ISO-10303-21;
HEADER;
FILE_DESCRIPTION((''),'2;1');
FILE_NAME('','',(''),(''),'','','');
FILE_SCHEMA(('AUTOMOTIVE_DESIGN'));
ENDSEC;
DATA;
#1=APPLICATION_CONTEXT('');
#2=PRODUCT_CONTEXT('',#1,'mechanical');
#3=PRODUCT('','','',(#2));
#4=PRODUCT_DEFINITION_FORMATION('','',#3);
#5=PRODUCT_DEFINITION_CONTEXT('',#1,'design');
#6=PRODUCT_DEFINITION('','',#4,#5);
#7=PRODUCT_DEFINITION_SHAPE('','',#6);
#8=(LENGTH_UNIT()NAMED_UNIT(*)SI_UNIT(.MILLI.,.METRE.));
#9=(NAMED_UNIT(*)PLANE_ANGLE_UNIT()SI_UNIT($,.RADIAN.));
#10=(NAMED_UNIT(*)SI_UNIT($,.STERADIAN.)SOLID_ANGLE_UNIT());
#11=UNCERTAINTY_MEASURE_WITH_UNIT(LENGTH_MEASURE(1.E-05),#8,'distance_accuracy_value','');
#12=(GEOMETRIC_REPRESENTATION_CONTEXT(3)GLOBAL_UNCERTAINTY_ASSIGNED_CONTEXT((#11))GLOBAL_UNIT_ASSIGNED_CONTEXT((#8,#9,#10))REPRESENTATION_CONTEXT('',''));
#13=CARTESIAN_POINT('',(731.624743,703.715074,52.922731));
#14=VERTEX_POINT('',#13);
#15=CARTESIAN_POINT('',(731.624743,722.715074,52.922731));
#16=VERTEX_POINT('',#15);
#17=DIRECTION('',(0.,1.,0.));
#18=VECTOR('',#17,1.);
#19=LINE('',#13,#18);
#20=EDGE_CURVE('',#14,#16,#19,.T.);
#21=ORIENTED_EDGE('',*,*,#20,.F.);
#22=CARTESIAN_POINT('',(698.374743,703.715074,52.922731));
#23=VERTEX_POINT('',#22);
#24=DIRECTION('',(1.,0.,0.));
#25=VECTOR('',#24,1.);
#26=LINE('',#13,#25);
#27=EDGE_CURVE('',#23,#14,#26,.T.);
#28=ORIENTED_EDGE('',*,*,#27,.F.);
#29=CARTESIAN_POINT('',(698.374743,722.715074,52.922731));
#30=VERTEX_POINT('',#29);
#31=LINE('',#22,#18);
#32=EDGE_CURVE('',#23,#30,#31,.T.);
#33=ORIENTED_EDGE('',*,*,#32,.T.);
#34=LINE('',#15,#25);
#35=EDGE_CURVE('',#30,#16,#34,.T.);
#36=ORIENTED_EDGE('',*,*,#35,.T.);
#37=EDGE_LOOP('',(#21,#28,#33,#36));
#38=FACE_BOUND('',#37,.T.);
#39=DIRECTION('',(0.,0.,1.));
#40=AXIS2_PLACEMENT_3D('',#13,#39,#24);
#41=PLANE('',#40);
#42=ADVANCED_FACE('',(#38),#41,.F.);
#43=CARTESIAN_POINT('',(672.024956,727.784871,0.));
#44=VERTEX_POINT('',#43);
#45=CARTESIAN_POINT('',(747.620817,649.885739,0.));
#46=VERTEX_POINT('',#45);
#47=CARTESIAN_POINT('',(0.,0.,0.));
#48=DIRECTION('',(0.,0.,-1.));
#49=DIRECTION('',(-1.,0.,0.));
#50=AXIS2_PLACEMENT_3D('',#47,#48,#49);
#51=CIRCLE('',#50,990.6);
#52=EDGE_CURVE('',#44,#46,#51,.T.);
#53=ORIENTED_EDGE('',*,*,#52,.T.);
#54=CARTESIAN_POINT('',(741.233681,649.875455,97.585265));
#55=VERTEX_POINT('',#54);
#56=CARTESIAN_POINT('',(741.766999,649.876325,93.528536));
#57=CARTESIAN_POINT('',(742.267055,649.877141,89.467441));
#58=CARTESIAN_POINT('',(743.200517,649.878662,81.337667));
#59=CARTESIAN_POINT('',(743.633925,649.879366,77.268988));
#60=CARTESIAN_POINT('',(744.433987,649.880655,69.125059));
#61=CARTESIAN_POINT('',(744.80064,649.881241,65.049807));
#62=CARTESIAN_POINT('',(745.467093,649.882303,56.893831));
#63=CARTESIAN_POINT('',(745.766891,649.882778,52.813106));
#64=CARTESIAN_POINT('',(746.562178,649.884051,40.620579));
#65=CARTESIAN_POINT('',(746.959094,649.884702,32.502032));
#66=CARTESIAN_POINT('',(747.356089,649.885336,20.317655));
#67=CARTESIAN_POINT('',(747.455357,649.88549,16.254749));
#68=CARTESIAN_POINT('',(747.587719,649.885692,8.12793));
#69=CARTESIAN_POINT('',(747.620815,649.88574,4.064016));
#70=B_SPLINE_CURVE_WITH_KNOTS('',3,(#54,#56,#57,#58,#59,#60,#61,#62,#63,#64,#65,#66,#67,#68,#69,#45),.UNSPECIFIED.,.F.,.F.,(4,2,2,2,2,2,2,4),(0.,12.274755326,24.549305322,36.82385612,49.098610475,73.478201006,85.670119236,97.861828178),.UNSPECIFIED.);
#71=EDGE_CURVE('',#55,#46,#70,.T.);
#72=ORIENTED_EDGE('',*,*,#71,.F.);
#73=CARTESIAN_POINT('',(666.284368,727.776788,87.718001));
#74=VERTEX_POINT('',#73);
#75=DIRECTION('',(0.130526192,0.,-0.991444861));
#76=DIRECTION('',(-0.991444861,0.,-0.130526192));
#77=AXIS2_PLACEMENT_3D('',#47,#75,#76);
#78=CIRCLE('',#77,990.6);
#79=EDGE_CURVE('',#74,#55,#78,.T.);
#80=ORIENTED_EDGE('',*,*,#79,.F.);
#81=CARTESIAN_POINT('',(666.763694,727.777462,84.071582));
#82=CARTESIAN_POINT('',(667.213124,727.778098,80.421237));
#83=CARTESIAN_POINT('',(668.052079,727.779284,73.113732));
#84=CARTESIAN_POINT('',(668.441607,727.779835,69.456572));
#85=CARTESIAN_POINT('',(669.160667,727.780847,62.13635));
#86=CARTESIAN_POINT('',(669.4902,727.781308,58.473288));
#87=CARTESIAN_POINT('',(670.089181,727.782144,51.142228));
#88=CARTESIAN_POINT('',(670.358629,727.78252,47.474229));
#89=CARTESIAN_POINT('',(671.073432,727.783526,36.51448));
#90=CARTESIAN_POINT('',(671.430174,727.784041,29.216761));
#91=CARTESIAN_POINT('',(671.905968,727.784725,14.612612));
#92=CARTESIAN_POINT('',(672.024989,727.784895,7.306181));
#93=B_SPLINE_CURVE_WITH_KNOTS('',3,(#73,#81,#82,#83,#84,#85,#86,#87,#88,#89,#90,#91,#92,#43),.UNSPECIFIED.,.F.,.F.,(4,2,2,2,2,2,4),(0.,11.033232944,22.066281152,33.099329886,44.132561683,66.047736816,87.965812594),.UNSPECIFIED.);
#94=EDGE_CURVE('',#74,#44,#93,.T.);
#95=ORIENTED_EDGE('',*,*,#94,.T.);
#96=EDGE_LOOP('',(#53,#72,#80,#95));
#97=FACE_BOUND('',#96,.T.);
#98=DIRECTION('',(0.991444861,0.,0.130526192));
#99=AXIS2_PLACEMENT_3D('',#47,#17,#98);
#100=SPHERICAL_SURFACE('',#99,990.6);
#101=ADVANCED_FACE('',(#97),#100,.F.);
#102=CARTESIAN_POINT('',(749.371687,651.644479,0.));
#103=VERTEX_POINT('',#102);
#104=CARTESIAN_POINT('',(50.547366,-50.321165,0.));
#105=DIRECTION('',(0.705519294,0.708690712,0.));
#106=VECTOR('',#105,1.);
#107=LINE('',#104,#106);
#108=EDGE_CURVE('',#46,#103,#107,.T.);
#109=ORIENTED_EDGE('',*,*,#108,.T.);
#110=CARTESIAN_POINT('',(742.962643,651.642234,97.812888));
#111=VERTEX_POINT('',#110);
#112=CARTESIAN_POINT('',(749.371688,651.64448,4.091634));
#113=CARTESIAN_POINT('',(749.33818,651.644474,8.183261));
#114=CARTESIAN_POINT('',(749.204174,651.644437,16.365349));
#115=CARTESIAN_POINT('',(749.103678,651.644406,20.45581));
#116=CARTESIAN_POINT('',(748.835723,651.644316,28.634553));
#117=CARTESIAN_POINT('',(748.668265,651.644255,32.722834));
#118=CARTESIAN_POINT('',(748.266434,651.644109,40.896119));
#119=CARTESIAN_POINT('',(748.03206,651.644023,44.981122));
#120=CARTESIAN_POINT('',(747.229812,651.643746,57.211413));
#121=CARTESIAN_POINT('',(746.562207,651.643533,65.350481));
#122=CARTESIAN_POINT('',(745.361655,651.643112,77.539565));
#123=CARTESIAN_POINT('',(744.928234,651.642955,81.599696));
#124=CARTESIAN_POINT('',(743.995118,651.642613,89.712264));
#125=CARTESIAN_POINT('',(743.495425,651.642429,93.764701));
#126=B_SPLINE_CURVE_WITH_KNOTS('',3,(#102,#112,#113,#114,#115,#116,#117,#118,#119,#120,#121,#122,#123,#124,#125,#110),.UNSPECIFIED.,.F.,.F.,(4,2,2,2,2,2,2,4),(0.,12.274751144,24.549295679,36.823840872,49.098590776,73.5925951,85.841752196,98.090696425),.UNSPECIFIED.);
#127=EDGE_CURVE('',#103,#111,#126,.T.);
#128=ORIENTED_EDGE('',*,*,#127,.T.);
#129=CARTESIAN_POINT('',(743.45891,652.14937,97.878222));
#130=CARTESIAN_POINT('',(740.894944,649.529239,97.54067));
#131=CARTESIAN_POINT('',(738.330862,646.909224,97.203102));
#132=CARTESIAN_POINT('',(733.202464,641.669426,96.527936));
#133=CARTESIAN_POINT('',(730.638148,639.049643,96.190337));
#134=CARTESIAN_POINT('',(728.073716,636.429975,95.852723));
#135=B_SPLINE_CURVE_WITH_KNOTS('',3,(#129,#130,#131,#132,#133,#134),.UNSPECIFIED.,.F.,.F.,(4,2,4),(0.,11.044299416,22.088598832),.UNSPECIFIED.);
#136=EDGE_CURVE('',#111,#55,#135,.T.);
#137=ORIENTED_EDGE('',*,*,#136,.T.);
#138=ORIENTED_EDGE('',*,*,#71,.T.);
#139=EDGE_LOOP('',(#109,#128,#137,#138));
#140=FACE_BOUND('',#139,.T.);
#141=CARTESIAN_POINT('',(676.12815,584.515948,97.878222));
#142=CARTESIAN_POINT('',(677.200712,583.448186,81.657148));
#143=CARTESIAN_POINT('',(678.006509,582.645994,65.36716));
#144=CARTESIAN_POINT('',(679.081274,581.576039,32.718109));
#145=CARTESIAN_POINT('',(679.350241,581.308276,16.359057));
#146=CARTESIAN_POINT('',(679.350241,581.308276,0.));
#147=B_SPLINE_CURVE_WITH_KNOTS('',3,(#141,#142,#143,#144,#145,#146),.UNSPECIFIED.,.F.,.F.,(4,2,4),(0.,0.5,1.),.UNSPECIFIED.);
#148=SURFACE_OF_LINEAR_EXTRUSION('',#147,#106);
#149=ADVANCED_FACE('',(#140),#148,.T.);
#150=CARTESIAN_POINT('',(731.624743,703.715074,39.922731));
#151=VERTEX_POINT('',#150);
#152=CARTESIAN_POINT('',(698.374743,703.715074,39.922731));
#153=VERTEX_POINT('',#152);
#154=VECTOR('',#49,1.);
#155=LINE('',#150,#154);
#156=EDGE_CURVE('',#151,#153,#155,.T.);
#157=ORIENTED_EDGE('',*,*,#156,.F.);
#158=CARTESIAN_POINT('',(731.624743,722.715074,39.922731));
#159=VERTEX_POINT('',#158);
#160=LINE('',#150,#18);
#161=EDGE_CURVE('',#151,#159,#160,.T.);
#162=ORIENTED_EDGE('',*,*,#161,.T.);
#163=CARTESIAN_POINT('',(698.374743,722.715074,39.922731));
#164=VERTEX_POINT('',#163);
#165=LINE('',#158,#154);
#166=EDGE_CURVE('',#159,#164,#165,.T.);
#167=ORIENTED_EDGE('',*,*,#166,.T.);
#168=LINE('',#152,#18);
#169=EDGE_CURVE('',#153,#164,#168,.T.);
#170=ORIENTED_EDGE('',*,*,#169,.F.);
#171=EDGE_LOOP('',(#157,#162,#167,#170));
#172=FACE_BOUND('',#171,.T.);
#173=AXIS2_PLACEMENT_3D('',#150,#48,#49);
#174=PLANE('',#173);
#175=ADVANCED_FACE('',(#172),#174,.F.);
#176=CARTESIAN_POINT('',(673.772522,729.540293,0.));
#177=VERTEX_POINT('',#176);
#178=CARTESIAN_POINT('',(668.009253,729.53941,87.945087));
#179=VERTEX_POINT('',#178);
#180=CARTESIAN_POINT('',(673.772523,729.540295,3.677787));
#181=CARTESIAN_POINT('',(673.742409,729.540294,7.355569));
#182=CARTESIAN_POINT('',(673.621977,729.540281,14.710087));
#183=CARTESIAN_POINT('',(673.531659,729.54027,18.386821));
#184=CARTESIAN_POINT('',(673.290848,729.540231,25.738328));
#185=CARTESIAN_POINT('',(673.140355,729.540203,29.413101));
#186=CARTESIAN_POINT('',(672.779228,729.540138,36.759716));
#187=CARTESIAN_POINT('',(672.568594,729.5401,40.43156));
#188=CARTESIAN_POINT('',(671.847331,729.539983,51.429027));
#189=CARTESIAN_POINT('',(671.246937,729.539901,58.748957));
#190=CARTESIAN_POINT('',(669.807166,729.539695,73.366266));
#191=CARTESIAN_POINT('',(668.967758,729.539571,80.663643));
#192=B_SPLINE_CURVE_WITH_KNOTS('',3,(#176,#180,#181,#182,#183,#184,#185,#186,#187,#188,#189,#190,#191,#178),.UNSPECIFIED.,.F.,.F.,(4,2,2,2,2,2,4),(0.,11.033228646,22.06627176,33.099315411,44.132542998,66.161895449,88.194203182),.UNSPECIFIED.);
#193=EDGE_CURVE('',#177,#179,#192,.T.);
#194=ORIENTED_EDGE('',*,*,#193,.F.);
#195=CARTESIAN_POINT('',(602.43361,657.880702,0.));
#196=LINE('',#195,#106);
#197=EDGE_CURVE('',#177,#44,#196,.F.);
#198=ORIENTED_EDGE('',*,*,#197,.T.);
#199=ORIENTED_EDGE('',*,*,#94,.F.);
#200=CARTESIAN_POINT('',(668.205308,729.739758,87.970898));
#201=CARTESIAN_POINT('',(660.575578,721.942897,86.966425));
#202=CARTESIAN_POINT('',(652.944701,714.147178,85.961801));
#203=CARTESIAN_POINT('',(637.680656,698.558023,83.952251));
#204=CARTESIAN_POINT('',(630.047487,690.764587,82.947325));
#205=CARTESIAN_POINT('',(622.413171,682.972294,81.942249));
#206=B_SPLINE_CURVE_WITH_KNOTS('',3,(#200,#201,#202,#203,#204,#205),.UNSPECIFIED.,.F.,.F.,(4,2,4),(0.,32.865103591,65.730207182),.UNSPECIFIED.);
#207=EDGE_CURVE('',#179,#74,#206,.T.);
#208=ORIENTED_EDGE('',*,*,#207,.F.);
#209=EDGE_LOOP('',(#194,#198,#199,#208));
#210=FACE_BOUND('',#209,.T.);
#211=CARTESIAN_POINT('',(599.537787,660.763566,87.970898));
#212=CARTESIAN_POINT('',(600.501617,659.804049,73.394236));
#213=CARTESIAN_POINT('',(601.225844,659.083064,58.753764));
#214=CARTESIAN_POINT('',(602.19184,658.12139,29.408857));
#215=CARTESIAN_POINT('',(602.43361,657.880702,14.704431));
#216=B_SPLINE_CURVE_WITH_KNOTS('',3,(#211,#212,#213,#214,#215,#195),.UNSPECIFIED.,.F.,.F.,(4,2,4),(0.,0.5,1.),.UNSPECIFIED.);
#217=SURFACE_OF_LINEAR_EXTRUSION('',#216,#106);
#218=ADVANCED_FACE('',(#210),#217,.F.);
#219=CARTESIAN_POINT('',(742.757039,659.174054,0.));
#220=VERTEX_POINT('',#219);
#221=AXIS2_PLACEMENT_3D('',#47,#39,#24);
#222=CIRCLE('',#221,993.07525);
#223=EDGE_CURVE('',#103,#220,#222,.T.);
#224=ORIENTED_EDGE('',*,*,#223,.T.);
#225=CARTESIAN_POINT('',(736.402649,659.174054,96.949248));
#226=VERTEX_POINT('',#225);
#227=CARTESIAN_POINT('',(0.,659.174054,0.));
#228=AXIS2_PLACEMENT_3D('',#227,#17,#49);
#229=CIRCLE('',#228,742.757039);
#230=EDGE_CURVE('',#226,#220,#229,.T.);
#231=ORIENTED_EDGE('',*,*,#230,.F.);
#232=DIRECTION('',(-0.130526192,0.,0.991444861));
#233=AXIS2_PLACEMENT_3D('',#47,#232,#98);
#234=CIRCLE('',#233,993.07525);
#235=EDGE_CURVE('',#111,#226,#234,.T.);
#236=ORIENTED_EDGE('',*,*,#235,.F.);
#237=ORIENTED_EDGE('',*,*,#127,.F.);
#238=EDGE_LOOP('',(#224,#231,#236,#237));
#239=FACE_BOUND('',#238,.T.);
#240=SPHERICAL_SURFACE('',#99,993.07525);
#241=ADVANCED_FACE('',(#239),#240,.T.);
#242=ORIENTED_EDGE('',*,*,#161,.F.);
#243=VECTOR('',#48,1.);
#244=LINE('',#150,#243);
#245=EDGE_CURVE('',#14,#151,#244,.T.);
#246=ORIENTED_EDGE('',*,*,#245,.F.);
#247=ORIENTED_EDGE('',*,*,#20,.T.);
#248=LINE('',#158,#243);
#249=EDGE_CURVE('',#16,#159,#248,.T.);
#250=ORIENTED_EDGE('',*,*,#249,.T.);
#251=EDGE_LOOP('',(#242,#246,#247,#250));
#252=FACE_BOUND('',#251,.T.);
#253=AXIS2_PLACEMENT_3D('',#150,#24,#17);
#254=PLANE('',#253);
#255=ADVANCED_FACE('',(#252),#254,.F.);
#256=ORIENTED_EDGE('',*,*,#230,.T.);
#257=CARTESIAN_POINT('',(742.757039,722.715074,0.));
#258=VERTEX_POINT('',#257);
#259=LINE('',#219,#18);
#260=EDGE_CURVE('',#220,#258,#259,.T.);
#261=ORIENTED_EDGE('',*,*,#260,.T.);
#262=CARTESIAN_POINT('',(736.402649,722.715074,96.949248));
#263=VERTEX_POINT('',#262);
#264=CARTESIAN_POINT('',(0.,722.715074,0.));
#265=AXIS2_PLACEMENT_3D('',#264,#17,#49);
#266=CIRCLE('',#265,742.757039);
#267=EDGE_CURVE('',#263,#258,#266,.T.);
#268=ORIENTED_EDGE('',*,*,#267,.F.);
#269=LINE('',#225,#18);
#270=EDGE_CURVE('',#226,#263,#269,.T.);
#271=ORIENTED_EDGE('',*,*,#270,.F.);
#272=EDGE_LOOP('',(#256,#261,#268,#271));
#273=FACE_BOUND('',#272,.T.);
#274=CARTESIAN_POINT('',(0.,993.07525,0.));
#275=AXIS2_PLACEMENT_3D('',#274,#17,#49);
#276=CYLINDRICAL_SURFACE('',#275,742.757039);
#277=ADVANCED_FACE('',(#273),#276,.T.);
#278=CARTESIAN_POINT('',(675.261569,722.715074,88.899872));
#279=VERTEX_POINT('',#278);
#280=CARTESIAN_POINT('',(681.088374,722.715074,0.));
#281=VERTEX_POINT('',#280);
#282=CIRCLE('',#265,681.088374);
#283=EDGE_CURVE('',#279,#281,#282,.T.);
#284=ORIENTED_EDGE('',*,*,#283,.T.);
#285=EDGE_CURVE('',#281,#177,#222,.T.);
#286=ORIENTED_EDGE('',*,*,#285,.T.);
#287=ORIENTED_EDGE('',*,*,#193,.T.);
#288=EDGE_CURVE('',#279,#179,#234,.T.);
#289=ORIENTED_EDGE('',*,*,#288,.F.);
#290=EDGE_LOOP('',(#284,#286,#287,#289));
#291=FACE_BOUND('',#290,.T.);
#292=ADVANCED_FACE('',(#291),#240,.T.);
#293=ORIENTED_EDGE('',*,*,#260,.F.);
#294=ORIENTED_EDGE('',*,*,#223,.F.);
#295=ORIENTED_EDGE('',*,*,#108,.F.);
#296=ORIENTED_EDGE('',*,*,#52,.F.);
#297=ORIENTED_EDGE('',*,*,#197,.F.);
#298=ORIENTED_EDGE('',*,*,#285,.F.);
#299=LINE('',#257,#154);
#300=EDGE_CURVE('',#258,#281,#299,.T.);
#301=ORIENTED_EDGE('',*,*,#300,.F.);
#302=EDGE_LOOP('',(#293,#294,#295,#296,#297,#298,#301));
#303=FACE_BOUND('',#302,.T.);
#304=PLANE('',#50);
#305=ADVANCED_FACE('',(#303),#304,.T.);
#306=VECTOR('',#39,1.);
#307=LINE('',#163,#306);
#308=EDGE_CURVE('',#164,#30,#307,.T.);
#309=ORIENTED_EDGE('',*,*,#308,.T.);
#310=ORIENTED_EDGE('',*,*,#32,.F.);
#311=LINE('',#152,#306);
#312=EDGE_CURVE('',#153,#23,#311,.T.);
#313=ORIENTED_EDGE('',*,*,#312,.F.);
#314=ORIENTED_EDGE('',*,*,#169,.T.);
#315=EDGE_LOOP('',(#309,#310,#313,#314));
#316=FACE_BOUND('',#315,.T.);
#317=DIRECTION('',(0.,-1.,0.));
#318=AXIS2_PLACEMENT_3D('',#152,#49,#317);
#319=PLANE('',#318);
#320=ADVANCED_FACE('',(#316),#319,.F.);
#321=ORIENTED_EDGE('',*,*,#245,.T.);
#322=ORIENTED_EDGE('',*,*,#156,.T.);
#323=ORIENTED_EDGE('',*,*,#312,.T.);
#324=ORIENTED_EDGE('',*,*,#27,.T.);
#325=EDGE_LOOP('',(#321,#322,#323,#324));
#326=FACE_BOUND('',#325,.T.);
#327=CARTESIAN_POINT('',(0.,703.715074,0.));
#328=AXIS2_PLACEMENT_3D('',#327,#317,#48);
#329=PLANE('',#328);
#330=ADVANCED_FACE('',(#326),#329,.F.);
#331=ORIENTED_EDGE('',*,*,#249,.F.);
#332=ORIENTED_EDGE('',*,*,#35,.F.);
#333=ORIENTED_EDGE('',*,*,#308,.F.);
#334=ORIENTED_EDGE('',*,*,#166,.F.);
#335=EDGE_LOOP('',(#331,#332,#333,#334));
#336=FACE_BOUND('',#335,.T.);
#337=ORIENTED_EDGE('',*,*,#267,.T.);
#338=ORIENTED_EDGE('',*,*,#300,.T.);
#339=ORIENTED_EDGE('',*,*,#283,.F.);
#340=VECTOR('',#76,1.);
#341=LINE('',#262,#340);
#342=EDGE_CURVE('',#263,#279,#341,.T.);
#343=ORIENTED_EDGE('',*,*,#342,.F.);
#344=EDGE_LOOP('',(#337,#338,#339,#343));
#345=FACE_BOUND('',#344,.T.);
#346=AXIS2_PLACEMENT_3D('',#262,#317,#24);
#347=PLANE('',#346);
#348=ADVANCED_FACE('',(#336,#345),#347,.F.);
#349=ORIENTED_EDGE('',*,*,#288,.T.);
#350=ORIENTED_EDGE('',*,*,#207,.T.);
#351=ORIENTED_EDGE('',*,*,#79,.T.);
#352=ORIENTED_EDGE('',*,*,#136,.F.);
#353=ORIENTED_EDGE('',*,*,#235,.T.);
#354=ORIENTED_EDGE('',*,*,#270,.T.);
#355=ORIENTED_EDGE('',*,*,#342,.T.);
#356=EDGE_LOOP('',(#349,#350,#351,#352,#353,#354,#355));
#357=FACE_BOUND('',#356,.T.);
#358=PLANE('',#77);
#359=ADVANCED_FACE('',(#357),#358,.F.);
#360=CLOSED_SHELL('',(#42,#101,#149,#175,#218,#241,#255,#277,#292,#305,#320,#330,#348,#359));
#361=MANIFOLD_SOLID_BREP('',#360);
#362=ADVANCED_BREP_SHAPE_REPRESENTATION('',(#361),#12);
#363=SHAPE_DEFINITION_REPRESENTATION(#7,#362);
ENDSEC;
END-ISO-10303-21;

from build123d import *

# Parameters (mm, degrees)
REVOLVE2_ANGLE           = 7.5
SKETCH4_W                = 33.25
SKETCH4_H                = 13
CUT_EXTRUDE5_DEPTH       = 19
SKETCH7_W                = 33.25
SKETCH7_H                = 13
CUT_EXTRUDE7_DEPTH       = 19
CUT_EXTRUDE8_DEPTH       = 1799.499288206
CUT_EXTRUDE8_DEPTH_BACK  = 1799.499288206
SKETCH9_W                = 188.635889627
SKETCH9_H                = 632.041441351
CUT_EXTRUDE9_DEPTH       = 1799.499288206
CUT_EXTRUDE9_DEPTH_BACK  = 1799.499288206
SKETCH10_W               = 436.927860133
SKETCH10_H               = 1601.4752783
CUT_EXTRUDE10_DEPTH      = 143.403889156
CUT_EXTRUDE10_DEPTH_BACK = 143.403889156


with BuildPart() as part:
    # Sketch2 → Revolve2 (revolve)
    with BuildSketch(Plane.XY):
        with BuildLine():
            Line((0, 993.075249624), (0, 990.6))
            ThreePointArc((0, 990.6), (990.6, 0), (0, -990.6))
            Line((0, -990.6), (0, -993.075249624))
            ThreePointArc((0, -993.075249624), (357.30221933, -926.570869107), (666.748724276, -735.965073963))
            Line((666.748724276, -735.965073963), (742.973100692, -735.965073963))
            Line((742.973100692, -735.965073963), (742.973100692, -658.930514596))
            ThreePointArc((742.973100692, -658.930514596), (993.075236283, 0.162783709), (742.757038562, 659.174053709))
            Line((742.757038562, 659.174053709), (742.757038562, 722.715073963))
            Line((742.757038562, 722.715073963), (681.088374063, 722.715073963))
            ThreePointArc((681.088374063, 722.715073963), (366.393230651, 923.013787519), (0, 993.075249624))
        make_face()
    revolve(axis=Axis((0, 993.075249624, 0), (0, -1, 0)), revolution_arc=REVOLVE2_ANGLE)

    # Sketch4 → Cut-Extrude5 (cut)
    with BuildSketch(Plane.XZ.offset(735.965073963)):
        with Locations((705.258501449, 49.061390401)):
            Rectangle(SKETCH4_W, SKETCH4_H)
    extrude(amount=-CUT_EXTRUDE5_DEPTH, mode=Mode.SUBTRACT)

    # Sketch7 → Cut-Extrude7 (cut)
    with BuildSketch(Plane(origin=(0, 722.715073963, 0), x_dir=(-1, 0, 0), z_dir=(0, 1, 0))):
        with Locations((-714.999743141, 46.422731407)):
            Rectangle(SKETCH7_W, SKETCH7_H)
    extrude(amount=-CUT_EXTRUDE7_DEPTH, mode=Mode.SUBTRACT)

    # Sketch9 → Cut-Extrude8 (cut, two sides: drawn at the far end of the back side and taken through both)
    with BuildSketch(Plane(origin=(770.075395243, 627.042532096, 0), x_dir=(0, 0, -1), z_dir=(0.775445159402277, 0.6314149228198344, 0)).offset(-CUT_EXTRUDE8_DEPTH_BACK)):
        with Locations((-24.021749008, 516.225121034)):
            Rectangle(SKETCH9_W, SKETCH9_H)
    extrude(amount=CUT_EXTRUDE8_DEPTH + CUT_EXTRUDE8_DEPTH_BACK, mode=Mode.SUBTRACT)

    # Sketch10 → Cut-Extrude9 (cut, two sides: drawn at the far end of the back side and taken through both)
    with BuildSketch(Plane(origin=(770.075395243, 627.042532096, 0), x_dir=(0, 0, -1), z_dir=(0.775445159402277, 0.6314149228198344, 0)).offset(-CUT_EXTRUDE9_DEPTH_BACK)):
        with Locations((4.82975611, -781.418075933)):
            Rectangle(SKETCH10_W, SKETCH10_H)
    extrude(amount=CUT_EXTRUDE9_DEPTH + CUT_EXTRUDE9_DEPTH_BACK, mode=Mode.SUBTRACT)

    # Sketch12 → Cut-Extrude10 (cut, two sides: drawn at the far end of the back side and taken through both)
    with BuildSketch(Plane(origin=(700.633749088, 703.783206005, 0), x_dir=(0.7086907122814721, -0.7055192940848463, 0), z_dir=(0.7055192940848463, 0.7086907122814721, 0)).offset(-CUT_EXTRUDE10_DEPTH_BACK)):
        with BuildLine():
            Line((-41.294583605, -87.970897636), (-47.210429628, -112.285313767))
            Line((-47.210429628, -112.285313767), (-119.119874742, -100.128105701))
            Line((-119.119874742, -100.128105701), (-110.576768671, 17.662490687))
            Line((-110.576768671, 17.662490687), (-37.208423865, 15.148795667))
            Line((-37.208423865, 15.148795667), (-37.208423865, 0))
            add(Edge.make_bspline(
                [(-41.294583605, -87.970897636), (-39.934567915, -73.394235927), (-38.912646446, -58.753764388), (-37.549574236, -29.408857228), (-37.208423865, -14.704430952), (-37.208423865, 0)],
                knots=[0, 0, 0, 0, 0.5, 0.5, 1, 1, 1, 1], degree=3))
        make_face()
        with BuildLine():
            add(Edge.make_bspline(
                [(66.778461717, -97.878222384), (68.291902553, -81.657148428), (69.428925425, -65.367159938), (70.945475233, -32.718109498), (71.325001659, -16.35905716), (71.325001659, 0)],
                knots=[0, 0, 0, 0, 0.5, 0.5, 1, 1, 1, 1], degree=3))
            Line((71.325001659, 0), (71.325001659, 10.254449573))
            Line((71.325001659, 10.254449573), (98.450701035, 7.723597346))
            Line((98.450701035, 7.723597346), (86.999767635, -115.007620888))
            Line((86.999767635, -115.007620888), (65.180273381, -115.007620888))
            Line((65.180273381, -115.007620888), (66.778461717, -97.878222384))
        make_face()
    extrude(amount=CUT_EXTRUDE10_DEPTH + CUT_EXTRUDE10_DEPTH_BACK, mode=Mode.SUBTRACT)


solid = part.part
